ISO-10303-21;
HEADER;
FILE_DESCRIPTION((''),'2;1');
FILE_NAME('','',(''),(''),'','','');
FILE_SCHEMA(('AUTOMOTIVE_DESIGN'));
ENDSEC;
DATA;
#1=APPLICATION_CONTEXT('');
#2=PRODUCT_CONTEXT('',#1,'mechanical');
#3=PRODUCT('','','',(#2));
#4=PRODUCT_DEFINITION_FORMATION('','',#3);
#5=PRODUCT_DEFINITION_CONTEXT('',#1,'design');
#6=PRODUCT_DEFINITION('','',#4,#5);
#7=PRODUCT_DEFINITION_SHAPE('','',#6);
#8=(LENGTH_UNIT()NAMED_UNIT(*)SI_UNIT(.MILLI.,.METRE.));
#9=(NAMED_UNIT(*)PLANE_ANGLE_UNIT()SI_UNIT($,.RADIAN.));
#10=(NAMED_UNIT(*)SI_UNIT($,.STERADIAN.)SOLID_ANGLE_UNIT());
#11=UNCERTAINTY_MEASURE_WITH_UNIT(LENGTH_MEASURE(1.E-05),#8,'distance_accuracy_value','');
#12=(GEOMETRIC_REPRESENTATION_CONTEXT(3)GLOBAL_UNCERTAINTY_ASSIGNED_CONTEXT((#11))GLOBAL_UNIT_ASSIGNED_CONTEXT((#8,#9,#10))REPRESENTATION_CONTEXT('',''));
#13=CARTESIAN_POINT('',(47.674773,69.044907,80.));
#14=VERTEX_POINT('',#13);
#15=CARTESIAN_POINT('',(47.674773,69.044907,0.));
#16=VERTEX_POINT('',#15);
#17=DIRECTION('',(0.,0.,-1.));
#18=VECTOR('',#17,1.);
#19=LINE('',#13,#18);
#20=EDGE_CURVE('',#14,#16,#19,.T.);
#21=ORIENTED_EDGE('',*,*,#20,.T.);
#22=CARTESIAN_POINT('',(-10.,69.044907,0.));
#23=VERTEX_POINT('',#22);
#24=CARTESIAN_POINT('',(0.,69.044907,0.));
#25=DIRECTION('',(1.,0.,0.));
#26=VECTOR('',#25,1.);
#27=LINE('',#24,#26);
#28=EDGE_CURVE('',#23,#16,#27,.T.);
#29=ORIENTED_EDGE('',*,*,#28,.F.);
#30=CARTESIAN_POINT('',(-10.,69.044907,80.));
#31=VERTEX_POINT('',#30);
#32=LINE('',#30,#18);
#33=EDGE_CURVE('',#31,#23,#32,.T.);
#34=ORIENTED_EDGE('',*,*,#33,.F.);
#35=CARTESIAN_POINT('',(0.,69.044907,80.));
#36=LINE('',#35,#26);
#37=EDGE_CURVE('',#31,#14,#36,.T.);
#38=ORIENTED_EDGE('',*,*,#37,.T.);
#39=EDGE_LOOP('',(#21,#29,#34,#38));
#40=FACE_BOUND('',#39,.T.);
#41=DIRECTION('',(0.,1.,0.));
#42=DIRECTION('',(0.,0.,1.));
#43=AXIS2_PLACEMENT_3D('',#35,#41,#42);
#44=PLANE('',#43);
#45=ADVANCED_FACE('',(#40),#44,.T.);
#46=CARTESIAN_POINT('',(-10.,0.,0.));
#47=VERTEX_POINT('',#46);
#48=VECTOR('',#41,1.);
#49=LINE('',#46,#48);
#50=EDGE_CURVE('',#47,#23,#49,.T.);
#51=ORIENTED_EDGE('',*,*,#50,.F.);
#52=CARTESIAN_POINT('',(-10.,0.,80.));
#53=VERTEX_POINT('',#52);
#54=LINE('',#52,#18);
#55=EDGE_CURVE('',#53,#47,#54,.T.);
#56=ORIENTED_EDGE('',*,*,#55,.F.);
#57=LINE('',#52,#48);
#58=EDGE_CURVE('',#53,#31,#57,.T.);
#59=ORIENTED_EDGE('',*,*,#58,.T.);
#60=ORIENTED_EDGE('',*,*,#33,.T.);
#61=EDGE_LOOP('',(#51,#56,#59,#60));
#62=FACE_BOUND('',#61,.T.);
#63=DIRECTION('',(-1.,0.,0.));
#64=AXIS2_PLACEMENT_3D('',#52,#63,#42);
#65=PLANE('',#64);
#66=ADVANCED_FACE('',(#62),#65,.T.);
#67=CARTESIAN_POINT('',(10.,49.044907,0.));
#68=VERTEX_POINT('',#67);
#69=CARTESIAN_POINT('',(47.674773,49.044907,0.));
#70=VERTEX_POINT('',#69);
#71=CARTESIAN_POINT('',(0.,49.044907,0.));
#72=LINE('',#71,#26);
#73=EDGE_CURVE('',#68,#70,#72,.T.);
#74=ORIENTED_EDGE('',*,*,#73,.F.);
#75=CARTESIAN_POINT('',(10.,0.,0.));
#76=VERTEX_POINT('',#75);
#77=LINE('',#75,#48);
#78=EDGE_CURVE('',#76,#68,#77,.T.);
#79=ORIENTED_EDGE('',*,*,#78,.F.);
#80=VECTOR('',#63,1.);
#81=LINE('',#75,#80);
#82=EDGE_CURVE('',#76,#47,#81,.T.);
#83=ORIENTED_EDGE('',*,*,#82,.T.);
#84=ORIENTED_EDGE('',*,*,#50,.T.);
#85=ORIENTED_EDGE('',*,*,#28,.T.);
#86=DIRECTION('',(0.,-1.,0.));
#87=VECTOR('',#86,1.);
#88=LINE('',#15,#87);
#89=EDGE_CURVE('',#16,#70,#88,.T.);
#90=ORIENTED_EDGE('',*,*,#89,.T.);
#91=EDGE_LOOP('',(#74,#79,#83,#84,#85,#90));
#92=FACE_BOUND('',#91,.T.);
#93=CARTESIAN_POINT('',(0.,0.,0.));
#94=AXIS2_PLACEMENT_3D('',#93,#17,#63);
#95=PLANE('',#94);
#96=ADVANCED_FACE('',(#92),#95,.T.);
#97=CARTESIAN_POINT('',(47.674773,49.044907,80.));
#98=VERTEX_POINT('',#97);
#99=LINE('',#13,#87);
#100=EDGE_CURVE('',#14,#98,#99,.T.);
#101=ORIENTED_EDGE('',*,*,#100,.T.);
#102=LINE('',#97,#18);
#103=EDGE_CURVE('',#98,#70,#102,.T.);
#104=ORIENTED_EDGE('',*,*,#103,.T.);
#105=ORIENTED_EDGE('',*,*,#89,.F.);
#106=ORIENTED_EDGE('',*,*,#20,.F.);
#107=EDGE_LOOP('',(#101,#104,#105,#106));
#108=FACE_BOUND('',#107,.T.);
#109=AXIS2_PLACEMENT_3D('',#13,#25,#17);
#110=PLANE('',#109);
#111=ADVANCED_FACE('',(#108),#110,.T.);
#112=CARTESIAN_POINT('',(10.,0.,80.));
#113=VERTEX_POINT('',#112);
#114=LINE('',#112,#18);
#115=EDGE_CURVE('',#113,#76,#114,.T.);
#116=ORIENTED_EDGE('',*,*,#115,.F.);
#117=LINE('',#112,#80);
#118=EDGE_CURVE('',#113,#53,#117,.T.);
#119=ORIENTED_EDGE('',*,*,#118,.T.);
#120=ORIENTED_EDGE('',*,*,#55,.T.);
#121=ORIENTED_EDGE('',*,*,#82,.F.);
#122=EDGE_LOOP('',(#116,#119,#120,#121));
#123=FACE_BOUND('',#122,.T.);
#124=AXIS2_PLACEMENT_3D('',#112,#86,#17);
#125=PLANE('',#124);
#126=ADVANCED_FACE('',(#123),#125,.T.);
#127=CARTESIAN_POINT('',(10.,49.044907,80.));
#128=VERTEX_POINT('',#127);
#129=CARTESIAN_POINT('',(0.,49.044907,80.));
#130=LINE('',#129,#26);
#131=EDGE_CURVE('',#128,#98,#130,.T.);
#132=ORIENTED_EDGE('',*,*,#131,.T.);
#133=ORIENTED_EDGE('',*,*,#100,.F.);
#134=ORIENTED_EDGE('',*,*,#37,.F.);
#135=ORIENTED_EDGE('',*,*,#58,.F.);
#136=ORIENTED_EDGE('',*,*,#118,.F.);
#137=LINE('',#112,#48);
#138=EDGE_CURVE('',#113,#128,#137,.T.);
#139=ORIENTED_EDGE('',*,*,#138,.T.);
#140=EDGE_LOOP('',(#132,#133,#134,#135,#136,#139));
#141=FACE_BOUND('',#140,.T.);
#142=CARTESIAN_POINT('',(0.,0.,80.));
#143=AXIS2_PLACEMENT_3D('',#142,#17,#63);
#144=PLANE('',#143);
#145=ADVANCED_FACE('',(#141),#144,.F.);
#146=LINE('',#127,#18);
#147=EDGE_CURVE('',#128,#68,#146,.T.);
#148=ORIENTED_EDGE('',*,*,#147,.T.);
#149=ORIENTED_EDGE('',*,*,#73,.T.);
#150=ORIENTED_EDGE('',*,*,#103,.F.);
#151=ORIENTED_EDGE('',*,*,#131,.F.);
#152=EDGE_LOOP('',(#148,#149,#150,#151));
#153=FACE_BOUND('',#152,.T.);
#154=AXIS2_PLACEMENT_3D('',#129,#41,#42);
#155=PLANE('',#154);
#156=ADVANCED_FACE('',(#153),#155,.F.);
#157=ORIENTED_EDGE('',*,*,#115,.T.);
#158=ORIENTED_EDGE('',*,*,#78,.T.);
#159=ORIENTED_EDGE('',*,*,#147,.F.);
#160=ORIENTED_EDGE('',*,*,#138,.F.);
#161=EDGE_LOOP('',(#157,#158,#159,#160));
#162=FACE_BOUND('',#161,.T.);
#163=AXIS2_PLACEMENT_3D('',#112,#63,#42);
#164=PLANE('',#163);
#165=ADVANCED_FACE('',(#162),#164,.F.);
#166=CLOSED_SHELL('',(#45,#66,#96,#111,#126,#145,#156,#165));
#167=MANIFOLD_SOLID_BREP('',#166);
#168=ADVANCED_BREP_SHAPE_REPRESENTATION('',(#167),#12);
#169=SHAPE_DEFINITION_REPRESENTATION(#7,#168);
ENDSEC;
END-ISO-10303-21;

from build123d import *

# Parameters (mm, degrees)
EXTRUDE_THIN1_DEPTH = 80


with BuildPart() as part:
    # Sketch1 → Extrude-Thin1 (new body)
    with BuildSketch(Plane.XY):
        Polygon((10, 0), (10, 49.044906765), (47.674772692, 49.044906765), (47.674772692, 69.044906765), (-10, 69.044906765), (-10, 0), align=None)
    extrude(amount=EXTRUDE_THIN1_DEPTH)


solid = part.part
